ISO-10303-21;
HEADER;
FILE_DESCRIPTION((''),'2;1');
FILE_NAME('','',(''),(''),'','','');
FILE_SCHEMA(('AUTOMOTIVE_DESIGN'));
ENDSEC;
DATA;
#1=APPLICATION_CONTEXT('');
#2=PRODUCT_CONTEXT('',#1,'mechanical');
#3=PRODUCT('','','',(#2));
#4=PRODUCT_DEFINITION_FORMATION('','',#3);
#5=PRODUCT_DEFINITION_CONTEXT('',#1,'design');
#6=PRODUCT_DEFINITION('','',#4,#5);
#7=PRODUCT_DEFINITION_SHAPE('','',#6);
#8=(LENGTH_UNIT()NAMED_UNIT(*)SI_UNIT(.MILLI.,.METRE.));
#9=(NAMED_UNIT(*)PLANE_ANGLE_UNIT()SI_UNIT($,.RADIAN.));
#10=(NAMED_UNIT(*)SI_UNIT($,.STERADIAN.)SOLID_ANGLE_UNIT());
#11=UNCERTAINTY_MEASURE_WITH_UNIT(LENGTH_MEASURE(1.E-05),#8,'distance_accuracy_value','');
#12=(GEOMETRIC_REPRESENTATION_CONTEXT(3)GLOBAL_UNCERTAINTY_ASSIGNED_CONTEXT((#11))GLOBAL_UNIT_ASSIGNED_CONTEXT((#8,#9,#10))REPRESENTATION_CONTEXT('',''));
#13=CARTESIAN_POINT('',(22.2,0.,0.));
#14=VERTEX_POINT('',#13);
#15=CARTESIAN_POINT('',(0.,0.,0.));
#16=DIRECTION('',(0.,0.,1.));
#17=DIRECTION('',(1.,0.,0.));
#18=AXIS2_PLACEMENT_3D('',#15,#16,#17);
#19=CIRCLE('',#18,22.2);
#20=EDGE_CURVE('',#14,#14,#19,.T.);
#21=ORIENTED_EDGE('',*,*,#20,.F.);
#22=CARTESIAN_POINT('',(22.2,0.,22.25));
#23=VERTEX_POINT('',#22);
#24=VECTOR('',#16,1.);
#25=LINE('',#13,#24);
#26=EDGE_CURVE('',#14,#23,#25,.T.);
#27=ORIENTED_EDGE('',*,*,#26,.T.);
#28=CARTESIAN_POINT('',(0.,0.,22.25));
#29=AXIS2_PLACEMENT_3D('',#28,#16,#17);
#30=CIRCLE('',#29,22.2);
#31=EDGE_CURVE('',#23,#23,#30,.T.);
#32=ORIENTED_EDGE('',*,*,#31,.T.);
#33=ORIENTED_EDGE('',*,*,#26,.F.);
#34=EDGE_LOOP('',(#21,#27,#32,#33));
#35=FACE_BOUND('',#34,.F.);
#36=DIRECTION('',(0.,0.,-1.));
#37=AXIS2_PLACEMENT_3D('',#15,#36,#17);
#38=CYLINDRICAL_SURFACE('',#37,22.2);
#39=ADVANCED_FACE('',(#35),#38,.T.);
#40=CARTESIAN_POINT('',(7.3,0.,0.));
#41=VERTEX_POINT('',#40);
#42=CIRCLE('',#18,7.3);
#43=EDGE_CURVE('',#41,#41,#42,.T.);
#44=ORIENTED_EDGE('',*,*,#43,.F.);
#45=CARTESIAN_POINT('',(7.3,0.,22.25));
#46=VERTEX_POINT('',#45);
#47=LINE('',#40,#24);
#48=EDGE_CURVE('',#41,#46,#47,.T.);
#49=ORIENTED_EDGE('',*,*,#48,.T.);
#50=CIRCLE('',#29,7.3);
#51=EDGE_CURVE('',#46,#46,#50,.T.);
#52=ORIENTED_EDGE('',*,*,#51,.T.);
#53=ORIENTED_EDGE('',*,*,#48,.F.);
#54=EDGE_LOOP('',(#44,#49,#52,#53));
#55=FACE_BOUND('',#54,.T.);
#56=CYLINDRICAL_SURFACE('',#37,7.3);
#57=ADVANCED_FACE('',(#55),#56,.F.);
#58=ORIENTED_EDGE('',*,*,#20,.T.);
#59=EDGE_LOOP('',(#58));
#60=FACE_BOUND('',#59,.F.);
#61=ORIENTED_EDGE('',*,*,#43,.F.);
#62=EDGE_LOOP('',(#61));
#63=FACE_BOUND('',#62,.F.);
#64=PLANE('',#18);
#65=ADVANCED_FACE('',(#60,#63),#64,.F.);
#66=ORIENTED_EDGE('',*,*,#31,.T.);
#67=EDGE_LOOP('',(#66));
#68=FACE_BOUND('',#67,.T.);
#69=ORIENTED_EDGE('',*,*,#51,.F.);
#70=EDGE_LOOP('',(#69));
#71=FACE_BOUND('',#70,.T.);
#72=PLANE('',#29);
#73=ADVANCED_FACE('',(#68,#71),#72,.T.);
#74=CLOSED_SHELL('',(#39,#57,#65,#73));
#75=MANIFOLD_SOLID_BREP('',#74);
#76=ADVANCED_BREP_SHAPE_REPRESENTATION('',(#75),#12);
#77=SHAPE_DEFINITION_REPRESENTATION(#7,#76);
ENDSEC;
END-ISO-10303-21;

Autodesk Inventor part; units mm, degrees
ref_plane "YZ Plane" through (0, 0, 0) normal (1, 0, 0) x (0, 1, 0)
ref_plane "XZ Plane" through (0, 0, 0) normal (0, 1, 0) x (-1, 0, 0)
ref_plane "XY Plane" through (0, 0, 0) normal (0, 0, 1) x (1, 0, 0)
sketch "草圖1" plane through (0, 0, 0) normal (0, 0, 1) x (1, 0, 0)
  circle A0 centre (0, 0) radius 7.3
  circle A1 centre (0, 0) radius 22.2
  dimension "d0" = 44.4
  dimension "d1" = 14.6
extrude "擠出1" add sketch "草圖1" along normal blind 22.25
properties part number "磁鐵"
